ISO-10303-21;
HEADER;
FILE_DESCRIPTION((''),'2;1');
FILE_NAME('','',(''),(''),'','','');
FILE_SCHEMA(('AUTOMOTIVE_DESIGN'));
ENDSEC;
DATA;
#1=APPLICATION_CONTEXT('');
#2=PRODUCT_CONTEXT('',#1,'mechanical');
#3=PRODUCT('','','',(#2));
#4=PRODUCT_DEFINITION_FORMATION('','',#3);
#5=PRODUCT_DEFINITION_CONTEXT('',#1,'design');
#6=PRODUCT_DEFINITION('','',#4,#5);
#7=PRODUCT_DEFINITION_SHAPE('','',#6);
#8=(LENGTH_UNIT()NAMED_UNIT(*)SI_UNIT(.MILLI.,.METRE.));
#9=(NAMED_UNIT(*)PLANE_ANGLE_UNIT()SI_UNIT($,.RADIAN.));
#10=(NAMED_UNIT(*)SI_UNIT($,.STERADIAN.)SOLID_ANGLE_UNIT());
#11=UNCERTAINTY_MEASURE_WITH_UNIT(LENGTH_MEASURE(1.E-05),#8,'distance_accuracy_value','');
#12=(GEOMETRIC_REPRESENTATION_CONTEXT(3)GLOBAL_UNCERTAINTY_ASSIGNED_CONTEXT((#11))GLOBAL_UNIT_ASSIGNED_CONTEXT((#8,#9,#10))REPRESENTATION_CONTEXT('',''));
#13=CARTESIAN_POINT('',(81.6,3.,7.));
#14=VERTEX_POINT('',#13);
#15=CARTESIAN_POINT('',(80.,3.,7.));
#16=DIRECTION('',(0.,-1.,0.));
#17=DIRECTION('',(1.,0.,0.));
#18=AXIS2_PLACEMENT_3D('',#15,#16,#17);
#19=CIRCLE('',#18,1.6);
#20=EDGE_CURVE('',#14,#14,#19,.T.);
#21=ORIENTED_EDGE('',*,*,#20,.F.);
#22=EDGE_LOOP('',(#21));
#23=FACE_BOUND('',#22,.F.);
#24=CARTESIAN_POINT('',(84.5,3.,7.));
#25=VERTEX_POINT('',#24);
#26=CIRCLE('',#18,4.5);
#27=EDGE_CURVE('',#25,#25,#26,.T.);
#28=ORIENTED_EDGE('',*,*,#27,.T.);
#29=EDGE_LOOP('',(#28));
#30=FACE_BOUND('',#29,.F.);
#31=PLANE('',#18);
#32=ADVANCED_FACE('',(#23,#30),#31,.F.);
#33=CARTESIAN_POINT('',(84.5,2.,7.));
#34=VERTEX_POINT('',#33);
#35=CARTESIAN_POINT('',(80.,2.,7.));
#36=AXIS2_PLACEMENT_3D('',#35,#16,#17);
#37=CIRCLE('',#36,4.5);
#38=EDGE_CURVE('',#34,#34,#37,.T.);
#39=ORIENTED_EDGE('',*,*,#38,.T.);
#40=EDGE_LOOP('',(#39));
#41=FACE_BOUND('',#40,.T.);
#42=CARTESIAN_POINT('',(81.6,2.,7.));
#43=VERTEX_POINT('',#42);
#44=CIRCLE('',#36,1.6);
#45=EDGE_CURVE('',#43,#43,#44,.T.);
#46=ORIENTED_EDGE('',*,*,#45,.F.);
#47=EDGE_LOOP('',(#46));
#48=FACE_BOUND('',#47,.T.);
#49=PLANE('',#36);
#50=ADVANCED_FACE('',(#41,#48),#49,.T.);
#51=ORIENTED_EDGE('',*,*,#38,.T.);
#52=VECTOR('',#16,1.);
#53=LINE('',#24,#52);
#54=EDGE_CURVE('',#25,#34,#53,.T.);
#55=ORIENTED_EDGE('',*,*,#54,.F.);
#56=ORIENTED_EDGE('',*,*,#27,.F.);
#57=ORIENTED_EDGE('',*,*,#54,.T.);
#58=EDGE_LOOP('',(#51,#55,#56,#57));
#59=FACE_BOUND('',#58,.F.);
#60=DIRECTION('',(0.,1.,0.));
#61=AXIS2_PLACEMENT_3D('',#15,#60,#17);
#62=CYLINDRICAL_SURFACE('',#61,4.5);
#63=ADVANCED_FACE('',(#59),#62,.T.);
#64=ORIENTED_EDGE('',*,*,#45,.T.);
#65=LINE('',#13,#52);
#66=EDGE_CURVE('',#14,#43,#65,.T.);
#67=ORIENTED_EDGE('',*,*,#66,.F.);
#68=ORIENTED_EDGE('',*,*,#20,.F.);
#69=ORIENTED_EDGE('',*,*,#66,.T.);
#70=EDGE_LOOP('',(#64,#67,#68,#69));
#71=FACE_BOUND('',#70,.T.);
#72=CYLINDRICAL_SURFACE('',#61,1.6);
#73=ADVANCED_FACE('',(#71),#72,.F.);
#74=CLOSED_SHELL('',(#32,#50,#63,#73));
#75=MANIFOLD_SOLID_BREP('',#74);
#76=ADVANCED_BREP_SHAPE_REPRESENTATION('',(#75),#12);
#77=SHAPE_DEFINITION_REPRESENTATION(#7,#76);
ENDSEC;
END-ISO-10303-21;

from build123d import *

# Parameters (mm, degrees)
CYLINDER018_R          = 1.6
CYLINDER018_DEPTH      = 1
CYLINDER017_R          = 4.5
CYLINDER017_DEPTH      = 1
CUT020_PLACEMENT_ANGLE = 90


with BuildPart() as facewasherscrewhole:
    # Cylinder018 → Cylinder018 (new body)
    with BuildSketch(Plane.XY):
        Circle(CYLINDER018_R)
    extrude(amount=CYLINDER018_DEPTH)


with BuildPart() as facewasher003:
    # Cylinder017 → Cylinder017 (new body)
    with BuildSketch(Plane.XY):
        Circle(CYLINDER017_R)
    extrude(amount=CYLINDER017_DEPTH)

    # Cut020: cut FaceWasherScrewHole
    add(facewasherscrewhole.part, mode=Mode.SUBTRACT)


with BuildPart() as facewasher003_1:
    # Cut020 placement: moved
    add(facewasher003.part.moved(Location((0, 0, -1))).rotate(Axis((0, 0, -1), (1, 0, 0)), CUT020_PLACEMENT_ANGLE))


with BuildPart() as facewasher003_2:
    # Clone023 placement: moved
    add(facewasher003_1.part.moved(Location((80, 3, 8))))


solid = facewasher003_2.part
